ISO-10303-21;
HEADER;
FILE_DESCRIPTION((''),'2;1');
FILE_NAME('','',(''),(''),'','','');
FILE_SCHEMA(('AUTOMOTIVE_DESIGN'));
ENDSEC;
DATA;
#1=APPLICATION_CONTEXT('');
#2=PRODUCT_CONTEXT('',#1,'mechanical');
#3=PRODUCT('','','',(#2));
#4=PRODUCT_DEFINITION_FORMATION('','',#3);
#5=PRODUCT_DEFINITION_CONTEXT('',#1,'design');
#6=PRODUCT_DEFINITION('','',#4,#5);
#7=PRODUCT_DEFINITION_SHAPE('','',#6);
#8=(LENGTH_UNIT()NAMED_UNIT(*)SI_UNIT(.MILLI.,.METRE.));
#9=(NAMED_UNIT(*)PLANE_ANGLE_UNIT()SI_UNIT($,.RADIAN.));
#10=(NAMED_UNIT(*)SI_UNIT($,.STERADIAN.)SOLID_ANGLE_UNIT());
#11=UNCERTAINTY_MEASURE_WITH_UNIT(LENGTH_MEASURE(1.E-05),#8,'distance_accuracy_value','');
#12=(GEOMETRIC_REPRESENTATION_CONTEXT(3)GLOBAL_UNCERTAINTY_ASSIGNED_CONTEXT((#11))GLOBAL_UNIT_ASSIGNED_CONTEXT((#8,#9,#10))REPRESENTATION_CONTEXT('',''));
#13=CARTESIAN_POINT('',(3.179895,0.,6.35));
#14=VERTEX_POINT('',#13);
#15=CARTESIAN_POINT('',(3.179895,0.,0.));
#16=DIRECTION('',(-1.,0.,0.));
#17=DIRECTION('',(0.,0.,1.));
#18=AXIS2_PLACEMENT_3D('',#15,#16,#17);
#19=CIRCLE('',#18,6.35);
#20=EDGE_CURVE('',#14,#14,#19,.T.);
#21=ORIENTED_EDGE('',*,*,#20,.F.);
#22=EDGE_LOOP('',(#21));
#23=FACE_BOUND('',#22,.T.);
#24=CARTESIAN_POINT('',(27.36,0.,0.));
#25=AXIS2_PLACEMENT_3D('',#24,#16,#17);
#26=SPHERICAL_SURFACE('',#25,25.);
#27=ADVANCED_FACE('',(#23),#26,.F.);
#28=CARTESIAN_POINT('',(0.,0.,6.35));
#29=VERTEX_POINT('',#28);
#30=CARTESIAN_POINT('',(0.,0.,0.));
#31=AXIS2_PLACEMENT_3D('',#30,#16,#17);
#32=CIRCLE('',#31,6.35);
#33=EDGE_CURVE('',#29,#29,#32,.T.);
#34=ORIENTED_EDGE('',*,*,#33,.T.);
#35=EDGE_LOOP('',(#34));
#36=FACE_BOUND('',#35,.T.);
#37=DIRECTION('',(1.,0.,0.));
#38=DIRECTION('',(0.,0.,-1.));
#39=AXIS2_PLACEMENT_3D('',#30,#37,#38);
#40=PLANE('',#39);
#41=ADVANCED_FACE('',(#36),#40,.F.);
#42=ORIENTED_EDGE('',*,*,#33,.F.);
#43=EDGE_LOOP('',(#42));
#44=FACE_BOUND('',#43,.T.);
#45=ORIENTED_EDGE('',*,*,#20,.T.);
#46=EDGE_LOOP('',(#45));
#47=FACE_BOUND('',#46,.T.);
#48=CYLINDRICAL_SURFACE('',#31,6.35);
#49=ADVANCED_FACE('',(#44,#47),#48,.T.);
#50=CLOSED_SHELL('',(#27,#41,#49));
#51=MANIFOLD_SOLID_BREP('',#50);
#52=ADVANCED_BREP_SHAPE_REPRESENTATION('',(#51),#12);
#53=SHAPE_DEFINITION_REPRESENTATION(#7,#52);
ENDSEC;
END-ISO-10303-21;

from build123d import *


with BuildPart() as part:
    # 草图1 → 旋转1 (revolve)
    with BuildSketch(Plane(origin=(0, 0, 0), x_dir=(1, 0, 0), z_dir=(0, 1, 0)), mode=Mode.PRIVATE) as revolve_1_sk:
        with BuildLine():
            Line((0, 0), (2.36, 0))
            ThreePointArc((2.36, 0), (2.56582088, 3.201356238), (3.179894541, 6.35))
            Line((3.179894541, 6.35), (0, 6.35))
            Line((0, 6.35), (0, 0))
        make_face()
    revolve(revolve_1_sk.sketch.rotate(Axis((0, 0, 0), (1, 0, 0)), 180), axis=Axis((0, 0, 0), (1, 0, 0)))  # turned: the seam where the file's is


solid = part.part
